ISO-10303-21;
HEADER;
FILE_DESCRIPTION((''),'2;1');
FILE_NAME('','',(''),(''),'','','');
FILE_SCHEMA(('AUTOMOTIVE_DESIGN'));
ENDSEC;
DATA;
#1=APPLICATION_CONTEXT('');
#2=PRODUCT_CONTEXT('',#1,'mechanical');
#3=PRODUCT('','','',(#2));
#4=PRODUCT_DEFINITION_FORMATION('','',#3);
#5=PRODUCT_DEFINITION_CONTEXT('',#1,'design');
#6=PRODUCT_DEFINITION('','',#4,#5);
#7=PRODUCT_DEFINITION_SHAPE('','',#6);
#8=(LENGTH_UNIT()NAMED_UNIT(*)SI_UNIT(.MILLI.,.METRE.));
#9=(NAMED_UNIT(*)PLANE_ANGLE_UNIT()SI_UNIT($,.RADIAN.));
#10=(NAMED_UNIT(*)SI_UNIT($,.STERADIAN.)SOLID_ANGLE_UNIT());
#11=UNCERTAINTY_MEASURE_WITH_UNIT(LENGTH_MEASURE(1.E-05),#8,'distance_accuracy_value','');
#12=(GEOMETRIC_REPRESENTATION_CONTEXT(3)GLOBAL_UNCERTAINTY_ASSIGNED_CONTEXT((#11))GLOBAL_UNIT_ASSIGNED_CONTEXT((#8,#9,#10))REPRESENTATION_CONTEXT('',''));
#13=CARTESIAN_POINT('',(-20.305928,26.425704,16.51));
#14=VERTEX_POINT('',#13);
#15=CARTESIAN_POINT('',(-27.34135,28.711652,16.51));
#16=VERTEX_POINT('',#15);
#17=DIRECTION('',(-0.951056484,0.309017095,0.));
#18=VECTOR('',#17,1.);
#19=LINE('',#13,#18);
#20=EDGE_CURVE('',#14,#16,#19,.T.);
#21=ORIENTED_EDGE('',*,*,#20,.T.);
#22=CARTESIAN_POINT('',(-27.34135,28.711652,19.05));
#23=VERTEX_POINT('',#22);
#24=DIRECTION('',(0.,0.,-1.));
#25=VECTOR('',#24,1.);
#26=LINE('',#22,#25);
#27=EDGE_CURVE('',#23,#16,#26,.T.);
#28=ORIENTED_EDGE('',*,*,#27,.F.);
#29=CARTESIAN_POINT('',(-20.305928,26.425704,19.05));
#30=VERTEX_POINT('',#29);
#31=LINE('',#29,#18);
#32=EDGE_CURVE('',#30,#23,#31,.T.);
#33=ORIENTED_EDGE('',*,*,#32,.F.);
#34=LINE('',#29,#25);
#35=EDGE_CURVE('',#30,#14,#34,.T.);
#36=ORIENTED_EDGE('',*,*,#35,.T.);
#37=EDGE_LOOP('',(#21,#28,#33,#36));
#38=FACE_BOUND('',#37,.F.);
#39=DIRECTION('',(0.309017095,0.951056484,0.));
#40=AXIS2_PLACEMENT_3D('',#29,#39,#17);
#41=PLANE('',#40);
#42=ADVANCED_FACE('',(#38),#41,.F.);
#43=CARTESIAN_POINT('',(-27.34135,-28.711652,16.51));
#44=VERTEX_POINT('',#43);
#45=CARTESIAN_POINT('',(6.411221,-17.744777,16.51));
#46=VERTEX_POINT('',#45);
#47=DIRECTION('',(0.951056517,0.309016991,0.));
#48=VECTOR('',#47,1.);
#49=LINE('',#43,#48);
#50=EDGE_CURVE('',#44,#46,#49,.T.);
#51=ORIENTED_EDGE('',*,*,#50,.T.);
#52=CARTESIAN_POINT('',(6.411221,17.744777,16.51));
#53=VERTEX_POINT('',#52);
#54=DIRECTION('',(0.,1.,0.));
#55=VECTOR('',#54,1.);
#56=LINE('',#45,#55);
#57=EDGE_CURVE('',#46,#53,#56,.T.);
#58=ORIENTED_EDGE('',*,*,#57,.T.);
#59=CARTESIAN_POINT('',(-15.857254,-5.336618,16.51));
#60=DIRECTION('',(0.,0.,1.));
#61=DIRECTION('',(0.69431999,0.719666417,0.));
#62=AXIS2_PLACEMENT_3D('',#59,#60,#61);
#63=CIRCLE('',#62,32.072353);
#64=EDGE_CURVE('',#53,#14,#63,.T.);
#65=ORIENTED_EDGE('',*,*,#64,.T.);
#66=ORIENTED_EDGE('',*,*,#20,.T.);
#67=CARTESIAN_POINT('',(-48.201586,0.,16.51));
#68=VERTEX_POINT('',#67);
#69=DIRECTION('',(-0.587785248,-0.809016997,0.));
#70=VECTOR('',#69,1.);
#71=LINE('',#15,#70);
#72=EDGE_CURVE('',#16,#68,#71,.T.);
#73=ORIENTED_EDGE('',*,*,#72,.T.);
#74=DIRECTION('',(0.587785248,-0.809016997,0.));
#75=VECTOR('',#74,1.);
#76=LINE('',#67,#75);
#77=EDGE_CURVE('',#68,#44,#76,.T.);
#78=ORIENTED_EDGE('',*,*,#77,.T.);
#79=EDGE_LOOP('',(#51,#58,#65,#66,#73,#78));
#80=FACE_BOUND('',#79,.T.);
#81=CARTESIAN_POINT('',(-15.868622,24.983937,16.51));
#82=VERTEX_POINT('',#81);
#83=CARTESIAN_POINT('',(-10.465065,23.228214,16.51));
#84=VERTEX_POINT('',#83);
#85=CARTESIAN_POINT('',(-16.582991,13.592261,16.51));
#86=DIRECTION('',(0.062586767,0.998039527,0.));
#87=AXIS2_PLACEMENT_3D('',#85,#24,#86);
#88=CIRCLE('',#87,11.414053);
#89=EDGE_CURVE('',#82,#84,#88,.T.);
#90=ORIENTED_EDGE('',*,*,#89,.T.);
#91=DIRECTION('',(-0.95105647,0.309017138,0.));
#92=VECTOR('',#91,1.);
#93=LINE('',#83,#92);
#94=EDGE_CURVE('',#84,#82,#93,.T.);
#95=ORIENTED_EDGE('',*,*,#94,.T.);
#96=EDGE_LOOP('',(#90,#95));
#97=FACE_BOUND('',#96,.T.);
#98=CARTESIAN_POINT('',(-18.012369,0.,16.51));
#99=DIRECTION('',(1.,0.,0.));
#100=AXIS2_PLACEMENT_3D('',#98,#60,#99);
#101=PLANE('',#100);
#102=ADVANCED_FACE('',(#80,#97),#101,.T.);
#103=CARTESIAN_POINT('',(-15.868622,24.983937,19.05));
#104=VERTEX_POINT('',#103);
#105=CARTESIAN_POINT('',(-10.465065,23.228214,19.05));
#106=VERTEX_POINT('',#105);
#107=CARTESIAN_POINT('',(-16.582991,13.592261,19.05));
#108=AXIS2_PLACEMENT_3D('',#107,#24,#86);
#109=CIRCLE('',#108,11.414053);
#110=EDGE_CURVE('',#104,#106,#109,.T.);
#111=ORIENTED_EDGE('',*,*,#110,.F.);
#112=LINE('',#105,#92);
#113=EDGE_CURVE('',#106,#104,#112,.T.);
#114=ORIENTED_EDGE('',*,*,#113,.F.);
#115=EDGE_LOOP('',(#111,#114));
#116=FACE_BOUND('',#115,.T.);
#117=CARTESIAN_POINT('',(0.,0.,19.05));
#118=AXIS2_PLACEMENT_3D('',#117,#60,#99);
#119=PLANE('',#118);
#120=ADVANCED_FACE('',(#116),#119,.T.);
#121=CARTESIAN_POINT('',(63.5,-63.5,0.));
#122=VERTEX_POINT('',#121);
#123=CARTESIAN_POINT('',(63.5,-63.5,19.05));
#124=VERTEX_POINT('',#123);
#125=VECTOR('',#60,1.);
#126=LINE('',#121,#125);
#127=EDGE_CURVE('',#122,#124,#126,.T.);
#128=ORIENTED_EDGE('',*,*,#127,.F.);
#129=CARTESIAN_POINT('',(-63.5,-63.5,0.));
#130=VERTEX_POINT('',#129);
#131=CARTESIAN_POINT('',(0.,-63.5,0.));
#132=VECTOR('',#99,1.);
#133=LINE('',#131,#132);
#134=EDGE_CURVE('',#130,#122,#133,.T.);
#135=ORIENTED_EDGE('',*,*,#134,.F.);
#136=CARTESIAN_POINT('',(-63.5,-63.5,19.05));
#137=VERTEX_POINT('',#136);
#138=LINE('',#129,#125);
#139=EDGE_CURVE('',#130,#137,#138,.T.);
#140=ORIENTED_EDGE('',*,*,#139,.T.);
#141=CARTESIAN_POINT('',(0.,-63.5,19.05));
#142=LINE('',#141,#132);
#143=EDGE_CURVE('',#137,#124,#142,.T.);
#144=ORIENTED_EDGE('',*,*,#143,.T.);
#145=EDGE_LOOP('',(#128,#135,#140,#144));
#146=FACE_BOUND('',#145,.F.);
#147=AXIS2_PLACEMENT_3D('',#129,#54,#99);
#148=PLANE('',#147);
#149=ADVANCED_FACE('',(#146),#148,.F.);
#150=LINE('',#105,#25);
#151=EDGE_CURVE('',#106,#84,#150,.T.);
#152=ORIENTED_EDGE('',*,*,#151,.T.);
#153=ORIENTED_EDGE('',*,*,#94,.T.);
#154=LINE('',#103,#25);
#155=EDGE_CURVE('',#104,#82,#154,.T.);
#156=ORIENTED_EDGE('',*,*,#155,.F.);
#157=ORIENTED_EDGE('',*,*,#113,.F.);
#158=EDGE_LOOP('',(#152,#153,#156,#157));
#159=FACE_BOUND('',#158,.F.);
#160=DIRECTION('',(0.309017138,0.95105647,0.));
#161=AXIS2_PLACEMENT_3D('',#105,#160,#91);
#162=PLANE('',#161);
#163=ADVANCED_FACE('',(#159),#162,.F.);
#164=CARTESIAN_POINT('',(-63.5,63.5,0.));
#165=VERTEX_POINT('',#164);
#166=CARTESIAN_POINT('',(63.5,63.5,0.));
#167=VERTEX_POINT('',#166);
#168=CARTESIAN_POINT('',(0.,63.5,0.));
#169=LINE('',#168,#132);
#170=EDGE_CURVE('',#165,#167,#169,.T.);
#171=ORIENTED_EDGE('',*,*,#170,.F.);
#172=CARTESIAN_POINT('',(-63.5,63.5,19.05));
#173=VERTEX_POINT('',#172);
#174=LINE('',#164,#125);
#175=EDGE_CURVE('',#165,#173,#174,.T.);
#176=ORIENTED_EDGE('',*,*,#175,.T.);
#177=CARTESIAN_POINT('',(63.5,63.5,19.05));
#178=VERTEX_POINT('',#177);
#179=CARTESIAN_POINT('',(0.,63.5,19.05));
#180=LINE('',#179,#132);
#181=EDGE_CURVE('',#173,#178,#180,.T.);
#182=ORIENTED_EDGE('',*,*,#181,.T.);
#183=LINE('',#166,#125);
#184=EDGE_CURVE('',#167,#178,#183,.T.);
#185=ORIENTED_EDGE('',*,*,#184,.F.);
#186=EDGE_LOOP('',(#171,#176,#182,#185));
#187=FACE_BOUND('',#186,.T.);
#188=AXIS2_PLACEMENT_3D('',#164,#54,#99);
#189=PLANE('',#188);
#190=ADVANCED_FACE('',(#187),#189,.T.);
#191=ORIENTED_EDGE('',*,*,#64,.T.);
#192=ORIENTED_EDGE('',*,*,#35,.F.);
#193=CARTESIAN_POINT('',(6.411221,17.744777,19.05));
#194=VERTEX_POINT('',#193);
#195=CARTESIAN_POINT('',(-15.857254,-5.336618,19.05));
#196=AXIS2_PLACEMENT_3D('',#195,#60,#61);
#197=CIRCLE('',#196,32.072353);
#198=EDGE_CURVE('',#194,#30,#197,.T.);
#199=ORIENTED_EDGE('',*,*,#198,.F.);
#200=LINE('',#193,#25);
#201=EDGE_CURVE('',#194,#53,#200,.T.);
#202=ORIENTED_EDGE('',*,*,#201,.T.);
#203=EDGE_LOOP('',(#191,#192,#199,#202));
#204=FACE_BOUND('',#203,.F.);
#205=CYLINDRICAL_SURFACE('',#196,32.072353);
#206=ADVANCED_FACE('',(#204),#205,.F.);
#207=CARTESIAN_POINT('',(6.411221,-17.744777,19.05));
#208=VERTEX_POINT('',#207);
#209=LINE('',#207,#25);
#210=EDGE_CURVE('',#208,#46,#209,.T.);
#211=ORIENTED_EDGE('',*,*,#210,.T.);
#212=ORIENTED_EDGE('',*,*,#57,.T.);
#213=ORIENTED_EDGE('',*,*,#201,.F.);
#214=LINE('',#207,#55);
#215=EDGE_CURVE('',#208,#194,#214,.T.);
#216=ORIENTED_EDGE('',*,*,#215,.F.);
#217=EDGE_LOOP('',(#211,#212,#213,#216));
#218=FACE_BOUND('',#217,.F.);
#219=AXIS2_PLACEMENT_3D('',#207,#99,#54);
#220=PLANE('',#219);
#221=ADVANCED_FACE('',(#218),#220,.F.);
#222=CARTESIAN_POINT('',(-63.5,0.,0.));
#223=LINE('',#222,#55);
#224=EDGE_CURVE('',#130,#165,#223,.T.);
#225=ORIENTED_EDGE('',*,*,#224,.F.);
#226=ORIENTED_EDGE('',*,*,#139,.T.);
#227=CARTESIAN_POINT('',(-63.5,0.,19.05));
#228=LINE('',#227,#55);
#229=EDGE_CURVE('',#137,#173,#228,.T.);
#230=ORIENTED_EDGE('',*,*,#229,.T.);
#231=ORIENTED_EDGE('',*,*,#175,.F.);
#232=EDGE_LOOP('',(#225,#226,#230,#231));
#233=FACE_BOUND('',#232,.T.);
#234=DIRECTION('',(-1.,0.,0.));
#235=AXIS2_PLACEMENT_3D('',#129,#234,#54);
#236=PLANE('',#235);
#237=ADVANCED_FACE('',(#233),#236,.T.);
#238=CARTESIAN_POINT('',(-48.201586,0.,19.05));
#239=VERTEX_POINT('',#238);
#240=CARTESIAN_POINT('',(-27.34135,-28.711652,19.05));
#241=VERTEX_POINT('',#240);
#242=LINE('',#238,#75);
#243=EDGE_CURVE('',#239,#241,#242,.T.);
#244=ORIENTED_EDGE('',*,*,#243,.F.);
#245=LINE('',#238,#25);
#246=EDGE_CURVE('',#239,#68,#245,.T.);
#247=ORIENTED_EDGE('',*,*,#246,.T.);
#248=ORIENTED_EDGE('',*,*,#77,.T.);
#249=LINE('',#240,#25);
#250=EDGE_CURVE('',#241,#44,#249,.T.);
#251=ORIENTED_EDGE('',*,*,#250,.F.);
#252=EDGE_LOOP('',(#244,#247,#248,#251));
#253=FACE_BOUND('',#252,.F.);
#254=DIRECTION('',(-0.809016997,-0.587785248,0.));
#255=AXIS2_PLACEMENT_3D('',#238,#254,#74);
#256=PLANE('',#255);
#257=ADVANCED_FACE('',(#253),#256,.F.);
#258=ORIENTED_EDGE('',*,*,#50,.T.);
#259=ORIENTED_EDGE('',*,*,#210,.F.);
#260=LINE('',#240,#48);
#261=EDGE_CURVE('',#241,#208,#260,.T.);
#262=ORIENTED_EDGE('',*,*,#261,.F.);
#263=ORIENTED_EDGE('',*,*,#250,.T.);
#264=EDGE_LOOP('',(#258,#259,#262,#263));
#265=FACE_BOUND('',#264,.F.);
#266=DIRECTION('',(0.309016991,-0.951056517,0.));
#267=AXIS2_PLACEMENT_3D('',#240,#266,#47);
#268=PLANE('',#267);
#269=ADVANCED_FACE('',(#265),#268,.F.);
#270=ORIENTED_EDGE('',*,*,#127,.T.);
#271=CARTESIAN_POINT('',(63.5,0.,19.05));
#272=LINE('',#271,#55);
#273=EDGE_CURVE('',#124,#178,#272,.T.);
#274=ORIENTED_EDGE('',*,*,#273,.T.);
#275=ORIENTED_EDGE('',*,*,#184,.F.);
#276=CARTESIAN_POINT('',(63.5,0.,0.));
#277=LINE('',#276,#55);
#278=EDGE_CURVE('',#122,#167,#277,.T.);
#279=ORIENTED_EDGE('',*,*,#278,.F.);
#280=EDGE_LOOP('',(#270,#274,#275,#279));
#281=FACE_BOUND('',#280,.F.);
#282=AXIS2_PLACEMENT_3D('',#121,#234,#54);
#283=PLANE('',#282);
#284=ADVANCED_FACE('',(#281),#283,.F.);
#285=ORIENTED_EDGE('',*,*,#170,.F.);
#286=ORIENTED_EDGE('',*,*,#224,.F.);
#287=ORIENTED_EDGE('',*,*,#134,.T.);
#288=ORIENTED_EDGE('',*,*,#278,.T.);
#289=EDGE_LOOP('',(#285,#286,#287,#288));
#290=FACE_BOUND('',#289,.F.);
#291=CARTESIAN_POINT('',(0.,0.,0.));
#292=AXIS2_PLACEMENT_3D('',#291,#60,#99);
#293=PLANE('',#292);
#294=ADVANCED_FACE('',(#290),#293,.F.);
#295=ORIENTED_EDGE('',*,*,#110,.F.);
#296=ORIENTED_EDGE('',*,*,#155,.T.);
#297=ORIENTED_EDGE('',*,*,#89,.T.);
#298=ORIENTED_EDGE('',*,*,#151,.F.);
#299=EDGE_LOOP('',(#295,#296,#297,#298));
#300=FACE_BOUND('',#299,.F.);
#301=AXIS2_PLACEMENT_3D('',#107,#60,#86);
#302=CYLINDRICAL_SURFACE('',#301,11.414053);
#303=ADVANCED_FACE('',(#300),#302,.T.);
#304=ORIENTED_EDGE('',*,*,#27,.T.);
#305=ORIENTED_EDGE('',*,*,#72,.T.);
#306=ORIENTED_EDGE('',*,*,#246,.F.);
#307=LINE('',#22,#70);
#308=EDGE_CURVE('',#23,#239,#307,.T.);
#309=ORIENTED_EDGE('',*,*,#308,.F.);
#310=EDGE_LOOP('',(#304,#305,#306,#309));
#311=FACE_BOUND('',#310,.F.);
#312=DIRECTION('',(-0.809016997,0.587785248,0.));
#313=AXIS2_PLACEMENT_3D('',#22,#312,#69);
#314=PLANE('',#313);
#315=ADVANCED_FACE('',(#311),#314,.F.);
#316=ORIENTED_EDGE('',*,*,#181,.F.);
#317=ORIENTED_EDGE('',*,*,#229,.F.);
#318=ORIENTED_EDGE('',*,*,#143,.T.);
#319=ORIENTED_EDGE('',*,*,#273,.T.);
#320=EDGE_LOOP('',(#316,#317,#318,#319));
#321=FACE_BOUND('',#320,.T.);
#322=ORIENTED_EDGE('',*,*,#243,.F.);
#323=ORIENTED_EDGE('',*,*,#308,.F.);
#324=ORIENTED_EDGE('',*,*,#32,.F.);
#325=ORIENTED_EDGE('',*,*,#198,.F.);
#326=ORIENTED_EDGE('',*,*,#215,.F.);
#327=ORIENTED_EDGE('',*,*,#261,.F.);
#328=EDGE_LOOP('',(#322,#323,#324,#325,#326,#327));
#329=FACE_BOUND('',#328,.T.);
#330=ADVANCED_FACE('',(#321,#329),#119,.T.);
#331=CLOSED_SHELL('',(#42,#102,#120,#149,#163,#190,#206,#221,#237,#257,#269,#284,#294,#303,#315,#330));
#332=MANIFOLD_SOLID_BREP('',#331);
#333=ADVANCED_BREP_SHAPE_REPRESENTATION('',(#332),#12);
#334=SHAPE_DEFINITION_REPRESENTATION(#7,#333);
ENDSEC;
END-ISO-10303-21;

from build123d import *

# Parameters (mm, degrees)
F0_W     = 127
F0_H     = 127
F1_DEPTH = 19.05
F3_DEPTH = 2.54


with BuildPart() as f1:
    # F0 (on Top) → F1 (new body)
    with BuildSketch(Plane.XY):
        Rectangle(F0_W, F0_H)
    extrude(amount=F1_DEPTH)

    # F2 (on face) → F3 (cut)
    with BuildSketch(Plane.XY.offset(19.05)):
        Polygon((6.411221, -17.744777), (6.411221, 17.744777), (-10.465065, 23.228214), (-15.868622, 24.983937), (-20.305928, 26.425704), (-27.34135, 28.711652), (-48.201586, 0), (-27.34135, -28.711652), align=None)
        with BuildLine():
            Line((-10.465065, 23.228214), (6.411221, 17.744777))
            ThreePointArc((6.411221, 17.744777), (-5.946353, 25.166002), (-20.305928, 26.425704))
            Line((-20.305928, 26.425704), (-15.868622, 24.983937))
            ThreePointArc((-15.868622, 24.983937), (-13.055853, 24.44767), (-10.465065, 23.228214))
        make_face()
    extrude(amount=-F3_DEPTH, mode=Mode.SUBTRACT)


solid = f1.part
